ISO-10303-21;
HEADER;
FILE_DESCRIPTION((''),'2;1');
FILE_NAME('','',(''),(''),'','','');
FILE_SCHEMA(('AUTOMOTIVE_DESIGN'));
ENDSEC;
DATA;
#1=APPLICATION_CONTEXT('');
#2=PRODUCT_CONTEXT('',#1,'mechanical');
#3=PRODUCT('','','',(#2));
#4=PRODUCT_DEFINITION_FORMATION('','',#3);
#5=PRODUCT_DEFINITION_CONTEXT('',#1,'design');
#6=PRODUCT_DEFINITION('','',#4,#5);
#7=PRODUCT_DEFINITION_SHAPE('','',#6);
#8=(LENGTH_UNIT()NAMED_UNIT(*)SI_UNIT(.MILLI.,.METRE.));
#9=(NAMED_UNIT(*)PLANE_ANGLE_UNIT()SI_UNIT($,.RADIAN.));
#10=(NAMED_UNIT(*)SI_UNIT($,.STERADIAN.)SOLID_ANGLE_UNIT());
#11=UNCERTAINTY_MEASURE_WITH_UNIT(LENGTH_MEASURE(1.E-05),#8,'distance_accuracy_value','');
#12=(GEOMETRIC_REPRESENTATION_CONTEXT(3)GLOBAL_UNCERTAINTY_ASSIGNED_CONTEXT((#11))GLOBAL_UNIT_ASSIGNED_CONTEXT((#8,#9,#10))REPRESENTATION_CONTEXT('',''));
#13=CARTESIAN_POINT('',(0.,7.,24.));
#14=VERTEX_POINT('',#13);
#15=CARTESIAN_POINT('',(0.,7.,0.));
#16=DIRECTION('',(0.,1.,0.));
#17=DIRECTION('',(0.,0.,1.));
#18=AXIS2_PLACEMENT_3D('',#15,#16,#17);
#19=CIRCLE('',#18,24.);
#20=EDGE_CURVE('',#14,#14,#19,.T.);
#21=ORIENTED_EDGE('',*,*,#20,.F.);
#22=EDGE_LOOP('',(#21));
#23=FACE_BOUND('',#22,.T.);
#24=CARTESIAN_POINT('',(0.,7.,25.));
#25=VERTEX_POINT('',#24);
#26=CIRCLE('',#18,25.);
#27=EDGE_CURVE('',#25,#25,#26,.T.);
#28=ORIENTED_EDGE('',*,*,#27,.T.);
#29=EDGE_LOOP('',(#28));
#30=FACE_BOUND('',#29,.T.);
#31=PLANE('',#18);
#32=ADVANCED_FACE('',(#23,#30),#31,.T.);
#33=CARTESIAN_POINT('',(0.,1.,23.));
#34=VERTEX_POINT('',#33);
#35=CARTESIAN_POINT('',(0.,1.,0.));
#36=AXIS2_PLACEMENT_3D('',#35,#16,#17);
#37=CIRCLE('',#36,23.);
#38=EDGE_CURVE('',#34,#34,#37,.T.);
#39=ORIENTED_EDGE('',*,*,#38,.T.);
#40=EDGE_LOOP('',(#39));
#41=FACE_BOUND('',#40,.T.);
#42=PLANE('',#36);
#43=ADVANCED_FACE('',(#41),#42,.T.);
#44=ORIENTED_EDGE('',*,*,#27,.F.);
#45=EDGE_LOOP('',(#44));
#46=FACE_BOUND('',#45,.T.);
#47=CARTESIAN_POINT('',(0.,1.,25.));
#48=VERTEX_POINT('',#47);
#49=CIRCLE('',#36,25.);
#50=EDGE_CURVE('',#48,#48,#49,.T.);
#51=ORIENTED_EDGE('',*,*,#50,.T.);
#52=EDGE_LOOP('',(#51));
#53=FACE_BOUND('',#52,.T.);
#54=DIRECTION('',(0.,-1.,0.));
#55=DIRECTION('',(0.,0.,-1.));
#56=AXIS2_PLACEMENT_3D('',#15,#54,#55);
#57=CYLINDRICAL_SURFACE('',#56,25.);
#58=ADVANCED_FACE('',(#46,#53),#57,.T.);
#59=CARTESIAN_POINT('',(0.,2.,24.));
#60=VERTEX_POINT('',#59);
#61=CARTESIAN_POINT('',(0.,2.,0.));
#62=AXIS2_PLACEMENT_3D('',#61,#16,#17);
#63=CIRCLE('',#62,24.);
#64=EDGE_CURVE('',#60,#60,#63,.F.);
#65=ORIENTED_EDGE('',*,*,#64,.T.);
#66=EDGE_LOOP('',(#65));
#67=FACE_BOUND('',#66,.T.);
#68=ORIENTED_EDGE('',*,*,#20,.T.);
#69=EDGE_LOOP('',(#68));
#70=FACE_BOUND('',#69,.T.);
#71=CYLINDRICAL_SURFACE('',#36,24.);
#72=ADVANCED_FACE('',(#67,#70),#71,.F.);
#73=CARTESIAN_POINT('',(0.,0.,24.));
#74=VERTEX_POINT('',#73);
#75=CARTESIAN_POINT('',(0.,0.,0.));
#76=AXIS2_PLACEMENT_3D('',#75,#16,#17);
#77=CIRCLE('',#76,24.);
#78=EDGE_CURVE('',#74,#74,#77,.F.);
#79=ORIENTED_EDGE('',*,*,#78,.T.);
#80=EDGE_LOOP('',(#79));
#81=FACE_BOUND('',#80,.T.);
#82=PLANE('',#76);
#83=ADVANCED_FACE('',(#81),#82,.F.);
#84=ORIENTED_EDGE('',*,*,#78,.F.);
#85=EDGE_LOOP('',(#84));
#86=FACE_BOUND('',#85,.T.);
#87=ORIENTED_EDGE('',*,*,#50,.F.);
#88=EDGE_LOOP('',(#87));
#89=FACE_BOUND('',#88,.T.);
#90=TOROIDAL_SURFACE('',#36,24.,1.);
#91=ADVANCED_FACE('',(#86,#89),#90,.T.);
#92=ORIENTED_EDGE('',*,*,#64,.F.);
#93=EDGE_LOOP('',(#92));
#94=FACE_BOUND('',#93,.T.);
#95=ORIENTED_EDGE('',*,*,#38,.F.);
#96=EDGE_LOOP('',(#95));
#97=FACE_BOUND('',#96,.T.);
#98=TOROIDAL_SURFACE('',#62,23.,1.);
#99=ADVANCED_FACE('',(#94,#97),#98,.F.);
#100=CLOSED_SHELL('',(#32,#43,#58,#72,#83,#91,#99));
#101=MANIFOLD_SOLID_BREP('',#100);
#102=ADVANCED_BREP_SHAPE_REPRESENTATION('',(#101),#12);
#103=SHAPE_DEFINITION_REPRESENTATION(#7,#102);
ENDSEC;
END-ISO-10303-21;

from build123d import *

# Parameters (mm, degrees)
SKETCH1_R           = 25
BOSS_EXTRUDE1_DEPTH = 7
SKETCH2_R           = 24
CUT_EXTRUDE1_DEPTH  = 6
FILLET1_R           = 1


with BuildPart() as part:
    # Sketch1 → Boss-Extrude1 (new body)
    with BuildSketch(Plane(origin=(0, 0, 0), x_dir=(1, 0, 0), z_dir=(0, 1, 0))):
        Circle(SKETCH1_R)
    extrude(amount=BOSS_EXTRUDE1_DEPTH)

    # Sketch2 → Cut-Extrude1 (cut)
    with BuildSketch(Plane(origin=(0, 7, 0), x_dir=(1, 0, 0), z_dir=(0, 1, 0))):
        Circle(SKETCH2_R)
    extrude(amount=-CUT_EXTRUDE1_DEPTH, mode=Mode.SUBTRACT)

    # Fillet1
    fillet1_edges = [part.edges().sort_by_distance(p)[0] for p in [
        (-25, 0, 0),
        (-24, 1, 0),
    ]]
    fillet(fillet1_edges, radius=FILLET1_R)


solid = part.part
